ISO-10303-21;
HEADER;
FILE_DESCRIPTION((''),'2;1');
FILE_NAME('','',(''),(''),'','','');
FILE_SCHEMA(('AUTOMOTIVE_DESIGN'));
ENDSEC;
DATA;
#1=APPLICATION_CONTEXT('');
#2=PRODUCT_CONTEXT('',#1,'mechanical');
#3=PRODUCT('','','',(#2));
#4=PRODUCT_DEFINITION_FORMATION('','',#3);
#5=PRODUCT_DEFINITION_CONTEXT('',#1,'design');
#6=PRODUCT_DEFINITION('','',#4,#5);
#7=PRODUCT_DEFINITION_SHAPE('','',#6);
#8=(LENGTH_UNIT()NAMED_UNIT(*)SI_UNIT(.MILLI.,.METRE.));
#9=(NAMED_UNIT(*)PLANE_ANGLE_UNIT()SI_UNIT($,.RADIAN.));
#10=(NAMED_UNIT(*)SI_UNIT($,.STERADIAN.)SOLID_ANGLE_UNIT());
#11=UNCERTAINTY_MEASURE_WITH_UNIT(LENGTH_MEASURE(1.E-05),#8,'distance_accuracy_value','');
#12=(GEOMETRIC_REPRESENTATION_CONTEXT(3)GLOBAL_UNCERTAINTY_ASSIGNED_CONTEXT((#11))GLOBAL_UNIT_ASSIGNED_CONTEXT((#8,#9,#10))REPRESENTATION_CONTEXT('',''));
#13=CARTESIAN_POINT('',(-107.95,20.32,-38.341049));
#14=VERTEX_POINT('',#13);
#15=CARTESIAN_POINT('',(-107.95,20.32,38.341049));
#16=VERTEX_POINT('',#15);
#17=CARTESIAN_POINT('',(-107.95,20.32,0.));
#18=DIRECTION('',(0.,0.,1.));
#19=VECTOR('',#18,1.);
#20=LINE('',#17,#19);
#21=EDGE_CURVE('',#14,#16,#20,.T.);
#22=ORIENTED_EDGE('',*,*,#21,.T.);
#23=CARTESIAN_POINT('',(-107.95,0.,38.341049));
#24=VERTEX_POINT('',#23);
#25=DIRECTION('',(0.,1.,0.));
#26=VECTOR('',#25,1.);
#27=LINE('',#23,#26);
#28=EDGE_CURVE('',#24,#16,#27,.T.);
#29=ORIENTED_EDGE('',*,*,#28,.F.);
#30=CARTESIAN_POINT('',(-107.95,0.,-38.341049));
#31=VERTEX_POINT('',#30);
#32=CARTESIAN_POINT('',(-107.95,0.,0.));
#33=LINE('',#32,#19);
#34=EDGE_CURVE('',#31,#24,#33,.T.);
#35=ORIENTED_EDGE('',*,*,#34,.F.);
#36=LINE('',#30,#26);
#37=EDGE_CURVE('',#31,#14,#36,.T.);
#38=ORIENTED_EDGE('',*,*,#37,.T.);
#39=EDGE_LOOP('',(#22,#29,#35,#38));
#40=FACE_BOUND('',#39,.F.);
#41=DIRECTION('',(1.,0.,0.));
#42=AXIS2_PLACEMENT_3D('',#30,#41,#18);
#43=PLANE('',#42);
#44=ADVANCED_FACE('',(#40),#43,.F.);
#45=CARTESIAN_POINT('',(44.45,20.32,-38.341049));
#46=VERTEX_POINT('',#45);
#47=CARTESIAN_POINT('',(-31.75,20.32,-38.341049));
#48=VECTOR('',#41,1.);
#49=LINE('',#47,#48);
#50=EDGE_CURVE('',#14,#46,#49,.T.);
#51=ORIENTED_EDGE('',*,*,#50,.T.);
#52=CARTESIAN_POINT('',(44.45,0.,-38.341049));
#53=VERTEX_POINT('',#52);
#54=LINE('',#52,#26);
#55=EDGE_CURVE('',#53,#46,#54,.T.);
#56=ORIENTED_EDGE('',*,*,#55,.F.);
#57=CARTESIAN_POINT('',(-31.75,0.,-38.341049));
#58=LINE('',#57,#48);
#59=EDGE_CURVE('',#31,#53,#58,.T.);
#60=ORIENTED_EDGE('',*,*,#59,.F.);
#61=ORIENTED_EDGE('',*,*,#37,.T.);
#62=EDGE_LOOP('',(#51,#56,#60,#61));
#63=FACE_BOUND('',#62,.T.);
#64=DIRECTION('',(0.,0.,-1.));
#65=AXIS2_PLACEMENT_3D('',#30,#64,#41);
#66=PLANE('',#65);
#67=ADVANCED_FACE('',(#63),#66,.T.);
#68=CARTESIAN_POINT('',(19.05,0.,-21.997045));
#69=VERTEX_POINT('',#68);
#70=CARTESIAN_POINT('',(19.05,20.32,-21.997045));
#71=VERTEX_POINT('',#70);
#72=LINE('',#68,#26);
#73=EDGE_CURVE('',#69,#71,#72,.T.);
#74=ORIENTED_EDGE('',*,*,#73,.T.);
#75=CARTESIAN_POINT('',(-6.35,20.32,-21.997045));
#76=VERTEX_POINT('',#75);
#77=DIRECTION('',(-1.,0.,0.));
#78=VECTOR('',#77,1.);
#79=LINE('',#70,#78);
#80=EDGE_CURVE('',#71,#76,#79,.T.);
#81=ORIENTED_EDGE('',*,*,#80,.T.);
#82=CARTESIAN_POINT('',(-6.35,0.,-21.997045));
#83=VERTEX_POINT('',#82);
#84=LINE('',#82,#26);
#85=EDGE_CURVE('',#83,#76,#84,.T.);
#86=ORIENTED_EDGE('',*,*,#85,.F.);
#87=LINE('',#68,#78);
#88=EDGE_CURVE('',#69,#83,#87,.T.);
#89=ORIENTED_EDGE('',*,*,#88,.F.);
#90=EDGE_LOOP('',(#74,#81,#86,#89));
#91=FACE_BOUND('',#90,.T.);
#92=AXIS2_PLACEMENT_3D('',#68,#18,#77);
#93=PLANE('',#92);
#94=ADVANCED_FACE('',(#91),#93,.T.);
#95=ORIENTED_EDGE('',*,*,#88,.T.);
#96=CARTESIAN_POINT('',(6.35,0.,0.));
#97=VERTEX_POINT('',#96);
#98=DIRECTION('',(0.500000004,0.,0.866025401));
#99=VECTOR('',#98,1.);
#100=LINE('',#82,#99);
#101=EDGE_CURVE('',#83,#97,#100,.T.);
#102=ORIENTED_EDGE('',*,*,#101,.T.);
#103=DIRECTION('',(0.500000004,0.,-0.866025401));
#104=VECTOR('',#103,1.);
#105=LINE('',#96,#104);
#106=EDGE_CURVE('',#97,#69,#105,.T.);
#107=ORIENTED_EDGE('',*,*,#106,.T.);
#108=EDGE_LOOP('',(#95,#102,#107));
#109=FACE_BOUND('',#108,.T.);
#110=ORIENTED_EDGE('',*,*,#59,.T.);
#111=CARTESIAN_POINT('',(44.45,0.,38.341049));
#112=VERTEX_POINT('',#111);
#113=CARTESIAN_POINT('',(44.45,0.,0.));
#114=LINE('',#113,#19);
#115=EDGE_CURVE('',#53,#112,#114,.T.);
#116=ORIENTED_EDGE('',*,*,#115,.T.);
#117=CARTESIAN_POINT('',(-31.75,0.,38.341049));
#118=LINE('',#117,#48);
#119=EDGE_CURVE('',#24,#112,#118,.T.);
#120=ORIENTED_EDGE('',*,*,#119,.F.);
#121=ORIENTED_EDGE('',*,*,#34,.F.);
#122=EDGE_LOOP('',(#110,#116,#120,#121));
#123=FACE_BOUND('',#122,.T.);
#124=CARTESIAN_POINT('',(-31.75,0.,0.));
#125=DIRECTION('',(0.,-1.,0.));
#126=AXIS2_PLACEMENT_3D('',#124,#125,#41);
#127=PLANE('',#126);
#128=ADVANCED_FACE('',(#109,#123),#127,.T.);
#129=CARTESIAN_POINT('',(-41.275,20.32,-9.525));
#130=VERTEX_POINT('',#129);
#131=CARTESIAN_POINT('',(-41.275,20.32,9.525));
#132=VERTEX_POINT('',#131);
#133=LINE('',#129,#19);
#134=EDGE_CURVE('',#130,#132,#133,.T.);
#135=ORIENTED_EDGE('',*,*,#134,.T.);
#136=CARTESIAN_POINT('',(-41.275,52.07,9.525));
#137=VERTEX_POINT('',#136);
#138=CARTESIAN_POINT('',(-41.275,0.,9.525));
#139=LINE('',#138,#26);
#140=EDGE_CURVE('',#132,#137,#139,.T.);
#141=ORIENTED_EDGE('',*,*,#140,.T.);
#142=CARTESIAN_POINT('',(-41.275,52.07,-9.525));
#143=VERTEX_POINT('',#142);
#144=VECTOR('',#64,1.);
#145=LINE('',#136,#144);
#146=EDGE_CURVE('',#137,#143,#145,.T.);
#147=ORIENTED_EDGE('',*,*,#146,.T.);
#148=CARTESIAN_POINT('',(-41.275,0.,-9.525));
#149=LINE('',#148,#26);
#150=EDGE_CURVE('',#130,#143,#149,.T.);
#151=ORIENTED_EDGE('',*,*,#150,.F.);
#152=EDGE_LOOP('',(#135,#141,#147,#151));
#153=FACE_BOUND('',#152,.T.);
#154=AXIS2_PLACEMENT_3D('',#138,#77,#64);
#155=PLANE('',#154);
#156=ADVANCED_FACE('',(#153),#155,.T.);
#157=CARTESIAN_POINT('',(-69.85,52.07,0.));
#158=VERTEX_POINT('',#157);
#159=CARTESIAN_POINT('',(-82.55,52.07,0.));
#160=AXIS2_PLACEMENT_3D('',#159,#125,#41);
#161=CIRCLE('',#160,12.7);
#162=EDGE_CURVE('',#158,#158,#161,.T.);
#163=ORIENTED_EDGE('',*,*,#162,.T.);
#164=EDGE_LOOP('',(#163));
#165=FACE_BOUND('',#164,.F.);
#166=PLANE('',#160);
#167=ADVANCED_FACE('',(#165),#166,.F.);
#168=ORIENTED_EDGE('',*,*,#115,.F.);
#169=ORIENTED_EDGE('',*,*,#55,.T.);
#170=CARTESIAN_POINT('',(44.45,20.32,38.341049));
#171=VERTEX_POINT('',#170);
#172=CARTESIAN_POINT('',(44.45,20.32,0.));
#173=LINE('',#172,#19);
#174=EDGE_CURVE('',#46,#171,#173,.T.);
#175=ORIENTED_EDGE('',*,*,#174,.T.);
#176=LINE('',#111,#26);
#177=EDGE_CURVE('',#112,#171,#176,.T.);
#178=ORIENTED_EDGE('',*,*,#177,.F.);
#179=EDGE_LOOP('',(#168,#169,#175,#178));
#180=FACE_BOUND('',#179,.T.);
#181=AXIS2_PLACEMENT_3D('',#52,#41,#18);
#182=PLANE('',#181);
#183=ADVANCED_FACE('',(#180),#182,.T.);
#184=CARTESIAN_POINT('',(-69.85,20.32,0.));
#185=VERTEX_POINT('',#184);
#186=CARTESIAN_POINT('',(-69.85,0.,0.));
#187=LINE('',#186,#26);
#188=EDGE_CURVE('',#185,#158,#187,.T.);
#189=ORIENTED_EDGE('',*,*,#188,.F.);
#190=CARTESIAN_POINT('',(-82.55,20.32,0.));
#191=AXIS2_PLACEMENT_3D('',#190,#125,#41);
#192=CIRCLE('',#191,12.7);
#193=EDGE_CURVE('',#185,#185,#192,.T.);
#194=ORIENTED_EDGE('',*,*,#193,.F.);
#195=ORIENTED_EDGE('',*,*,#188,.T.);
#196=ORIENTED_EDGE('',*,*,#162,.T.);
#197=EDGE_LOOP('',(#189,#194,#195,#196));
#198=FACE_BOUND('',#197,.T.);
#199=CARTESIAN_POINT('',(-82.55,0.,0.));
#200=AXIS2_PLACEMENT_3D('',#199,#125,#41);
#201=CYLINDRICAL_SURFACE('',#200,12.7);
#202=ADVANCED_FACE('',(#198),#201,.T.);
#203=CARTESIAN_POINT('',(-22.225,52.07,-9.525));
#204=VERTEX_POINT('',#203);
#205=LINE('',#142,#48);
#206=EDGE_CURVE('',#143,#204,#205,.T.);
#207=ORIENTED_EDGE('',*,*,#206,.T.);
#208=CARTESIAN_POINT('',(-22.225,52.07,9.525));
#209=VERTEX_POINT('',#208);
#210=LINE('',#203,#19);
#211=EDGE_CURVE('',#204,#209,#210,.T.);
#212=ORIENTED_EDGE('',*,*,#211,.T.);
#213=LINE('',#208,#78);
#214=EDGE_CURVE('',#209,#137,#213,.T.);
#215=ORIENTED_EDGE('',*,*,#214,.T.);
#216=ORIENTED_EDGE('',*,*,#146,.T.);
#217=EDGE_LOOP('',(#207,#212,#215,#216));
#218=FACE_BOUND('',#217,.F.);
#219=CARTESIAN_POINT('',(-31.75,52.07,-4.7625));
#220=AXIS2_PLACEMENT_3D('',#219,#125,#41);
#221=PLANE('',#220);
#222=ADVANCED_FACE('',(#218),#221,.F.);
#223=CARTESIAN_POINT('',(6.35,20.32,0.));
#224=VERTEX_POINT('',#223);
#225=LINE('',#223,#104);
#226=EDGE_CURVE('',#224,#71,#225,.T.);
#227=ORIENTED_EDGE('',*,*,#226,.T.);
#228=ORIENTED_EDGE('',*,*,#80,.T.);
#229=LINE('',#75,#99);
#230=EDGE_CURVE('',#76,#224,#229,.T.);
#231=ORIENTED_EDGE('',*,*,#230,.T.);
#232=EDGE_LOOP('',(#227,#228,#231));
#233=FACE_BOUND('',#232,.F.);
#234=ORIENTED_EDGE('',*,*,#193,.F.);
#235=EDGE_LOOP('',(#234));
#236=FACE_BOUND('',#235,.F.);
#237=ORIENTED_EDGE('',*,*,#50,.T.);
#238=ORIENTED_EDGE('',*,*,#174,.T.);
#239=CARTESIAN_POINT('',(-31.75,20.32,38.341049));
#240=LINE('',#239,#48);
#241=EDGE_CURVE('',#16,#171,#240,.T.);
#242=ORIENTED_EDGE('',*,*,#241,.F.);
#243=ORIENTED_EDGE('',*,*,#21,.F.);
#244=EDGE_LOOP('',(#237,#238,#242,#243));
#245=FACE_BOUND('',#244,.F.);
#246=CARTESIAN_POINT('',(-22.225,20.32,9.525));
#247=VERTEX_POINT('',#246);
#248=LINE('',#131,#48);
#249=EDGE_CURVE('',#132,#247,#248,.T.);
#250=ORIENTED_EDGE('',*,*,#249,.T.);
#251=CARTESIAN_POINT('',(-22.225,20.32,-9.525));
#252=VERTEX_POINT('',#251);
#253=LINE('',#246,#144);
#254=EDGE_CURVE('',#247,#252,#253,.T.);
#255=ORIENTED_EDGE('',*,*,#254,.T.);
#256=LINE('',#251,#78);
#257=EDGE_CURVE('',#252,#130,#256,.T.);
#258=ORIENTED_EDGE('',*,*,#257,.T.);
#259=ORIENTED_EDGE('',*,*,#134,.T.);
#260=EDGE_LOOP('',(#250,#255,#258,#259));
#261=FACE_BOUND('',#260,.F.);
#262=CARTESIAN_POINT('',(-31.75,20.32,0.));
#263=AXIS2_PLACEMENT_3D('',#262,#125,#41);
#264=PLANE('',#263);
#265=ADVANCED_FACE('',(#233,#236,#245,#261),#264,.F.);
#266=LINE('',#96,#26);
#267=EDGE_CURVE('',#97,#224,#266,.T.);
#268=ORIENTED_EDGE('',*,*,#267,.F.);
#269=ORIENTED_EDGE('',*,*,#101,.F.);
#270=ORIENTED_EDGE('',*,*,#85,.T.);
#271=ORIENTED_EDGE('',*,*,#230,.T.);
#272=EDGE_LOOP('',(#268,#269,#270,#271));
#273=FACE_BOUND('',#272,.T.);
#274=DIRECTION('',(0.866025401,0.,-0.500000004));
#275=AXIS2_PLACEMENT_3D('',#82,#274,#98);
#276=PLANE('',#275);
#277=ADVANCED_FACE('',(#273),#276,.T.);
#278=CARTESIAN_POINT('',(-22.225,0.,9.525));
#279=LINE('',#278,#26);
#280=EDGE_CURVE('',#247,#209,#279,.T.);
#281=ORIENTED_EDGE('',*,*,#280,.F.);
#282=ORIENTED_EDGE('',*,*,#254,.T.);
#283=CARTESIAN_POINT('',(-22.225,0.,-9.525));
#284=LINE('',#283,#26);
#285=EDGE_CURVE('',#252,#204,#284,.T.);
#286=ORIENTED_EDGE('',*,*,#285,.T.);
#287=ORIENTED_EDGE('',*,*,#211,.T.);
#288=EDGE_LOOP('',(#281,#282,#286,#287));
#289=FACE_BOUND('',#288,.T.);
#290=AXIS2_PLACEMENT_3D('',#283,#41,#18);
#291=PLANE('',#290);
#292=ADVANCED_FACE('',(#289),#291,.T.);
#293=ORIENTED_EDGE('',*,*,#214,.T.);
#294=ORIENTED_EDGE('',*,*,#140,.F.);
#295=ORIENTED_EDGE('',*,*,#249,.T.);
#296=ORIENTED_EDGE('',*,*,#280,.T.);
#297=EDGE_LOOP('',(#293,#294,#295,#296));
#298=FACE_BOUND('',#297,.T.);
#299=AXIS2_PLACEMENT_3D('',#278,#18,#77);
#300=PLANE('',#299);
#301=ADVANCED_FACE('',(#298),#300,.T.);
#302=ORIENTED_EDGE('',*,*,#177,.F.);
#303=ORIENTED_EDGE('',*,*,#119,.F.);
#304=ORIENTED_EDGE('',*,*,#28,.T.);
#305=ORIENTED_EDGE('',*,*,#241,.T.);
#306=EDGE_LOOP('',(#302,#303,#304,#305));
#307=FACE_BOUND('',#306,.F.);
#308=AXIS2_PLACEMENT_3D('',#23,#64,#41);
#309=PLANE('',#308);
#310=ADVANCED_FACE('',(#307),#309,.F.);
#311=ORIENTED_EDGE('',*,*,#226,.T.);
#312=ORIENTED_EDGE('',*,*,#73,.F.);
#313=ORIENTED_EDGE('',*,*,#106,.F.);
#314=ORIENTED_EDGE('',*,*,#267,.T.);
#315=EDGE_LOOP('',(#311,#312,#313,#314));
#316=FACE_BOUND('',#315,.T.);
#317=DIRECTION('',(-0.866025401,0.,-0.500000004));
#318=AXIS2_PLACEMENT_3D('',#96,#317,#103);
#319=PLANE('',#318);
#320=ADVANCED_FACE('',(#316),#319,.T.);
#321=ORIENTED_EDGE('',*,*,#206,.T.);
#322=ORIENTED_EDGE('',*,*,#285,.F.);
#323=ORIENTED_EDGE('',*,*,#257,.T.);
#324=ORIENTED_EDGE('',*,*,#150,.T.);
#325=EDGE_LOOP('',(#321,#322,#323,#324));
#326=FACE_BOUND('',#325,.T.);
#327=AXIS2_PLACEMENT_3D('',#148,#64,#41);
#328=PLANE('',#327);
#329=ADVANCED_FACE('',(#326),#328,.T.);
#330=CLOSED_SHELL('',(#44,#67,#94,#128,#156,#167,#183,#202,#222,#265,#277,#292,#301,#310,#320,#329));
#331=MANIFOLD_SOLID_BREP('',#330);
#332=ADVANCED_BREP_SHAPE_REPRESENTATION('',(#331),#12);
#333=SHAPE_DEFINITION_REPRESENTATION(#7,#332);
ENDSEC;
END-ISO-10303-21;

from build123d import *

# Parameters (mm, degrees)
F0_W     = 152.4
F0_H     = 76.682098
F0_R     = 12.7
F1_DEPTH = 20.32
F2_DEPTH = 52.07


with BuildPart() as f1:
    # F0 (on Front) → F1 (new body)
    with BuildSketch(Plane.XZ):
        with Locations((-31.75, 0)):
            Rectangle(F0_W, F0_H)
        Polygon((-6.35, -21.997045), (6.35, 0), (19.05, -21.997045), align=None, mode=Mode.SUBTRACT)
        with Locations((-82.55, 0)):
            Circle(F0_R, mode=Mode.SUBTRACT)
        Polygon((-22.225, 9.525), (-22.225, 0), (-22.225, -9.525), (-41.275, -9.525), (-41.275, 0), (-41.275, 9.525), align=None, mode=Mode.SUBTRACT)
    extrude(amount=-F1_DEPTH)

    # F0 (on Front) → F2 (join)
    with BuildSketch(Plane.XZ):
        Polygon((-22.225, -9.525), (-22.225, 0), (-31.75, 0), (-41.275, 0), (-41.275, -9.525), align=None)
        Polygon((-31.75, 0), (-22.225, 0), (-22.225, 9.525), (-41.275, 9.525), (-41.275, 0), align=None)
        with Locations((-82.55, 0)):
            Circle(F0_R)
    extrude(amount=-F2_DEPTH)


solid = f1.part
